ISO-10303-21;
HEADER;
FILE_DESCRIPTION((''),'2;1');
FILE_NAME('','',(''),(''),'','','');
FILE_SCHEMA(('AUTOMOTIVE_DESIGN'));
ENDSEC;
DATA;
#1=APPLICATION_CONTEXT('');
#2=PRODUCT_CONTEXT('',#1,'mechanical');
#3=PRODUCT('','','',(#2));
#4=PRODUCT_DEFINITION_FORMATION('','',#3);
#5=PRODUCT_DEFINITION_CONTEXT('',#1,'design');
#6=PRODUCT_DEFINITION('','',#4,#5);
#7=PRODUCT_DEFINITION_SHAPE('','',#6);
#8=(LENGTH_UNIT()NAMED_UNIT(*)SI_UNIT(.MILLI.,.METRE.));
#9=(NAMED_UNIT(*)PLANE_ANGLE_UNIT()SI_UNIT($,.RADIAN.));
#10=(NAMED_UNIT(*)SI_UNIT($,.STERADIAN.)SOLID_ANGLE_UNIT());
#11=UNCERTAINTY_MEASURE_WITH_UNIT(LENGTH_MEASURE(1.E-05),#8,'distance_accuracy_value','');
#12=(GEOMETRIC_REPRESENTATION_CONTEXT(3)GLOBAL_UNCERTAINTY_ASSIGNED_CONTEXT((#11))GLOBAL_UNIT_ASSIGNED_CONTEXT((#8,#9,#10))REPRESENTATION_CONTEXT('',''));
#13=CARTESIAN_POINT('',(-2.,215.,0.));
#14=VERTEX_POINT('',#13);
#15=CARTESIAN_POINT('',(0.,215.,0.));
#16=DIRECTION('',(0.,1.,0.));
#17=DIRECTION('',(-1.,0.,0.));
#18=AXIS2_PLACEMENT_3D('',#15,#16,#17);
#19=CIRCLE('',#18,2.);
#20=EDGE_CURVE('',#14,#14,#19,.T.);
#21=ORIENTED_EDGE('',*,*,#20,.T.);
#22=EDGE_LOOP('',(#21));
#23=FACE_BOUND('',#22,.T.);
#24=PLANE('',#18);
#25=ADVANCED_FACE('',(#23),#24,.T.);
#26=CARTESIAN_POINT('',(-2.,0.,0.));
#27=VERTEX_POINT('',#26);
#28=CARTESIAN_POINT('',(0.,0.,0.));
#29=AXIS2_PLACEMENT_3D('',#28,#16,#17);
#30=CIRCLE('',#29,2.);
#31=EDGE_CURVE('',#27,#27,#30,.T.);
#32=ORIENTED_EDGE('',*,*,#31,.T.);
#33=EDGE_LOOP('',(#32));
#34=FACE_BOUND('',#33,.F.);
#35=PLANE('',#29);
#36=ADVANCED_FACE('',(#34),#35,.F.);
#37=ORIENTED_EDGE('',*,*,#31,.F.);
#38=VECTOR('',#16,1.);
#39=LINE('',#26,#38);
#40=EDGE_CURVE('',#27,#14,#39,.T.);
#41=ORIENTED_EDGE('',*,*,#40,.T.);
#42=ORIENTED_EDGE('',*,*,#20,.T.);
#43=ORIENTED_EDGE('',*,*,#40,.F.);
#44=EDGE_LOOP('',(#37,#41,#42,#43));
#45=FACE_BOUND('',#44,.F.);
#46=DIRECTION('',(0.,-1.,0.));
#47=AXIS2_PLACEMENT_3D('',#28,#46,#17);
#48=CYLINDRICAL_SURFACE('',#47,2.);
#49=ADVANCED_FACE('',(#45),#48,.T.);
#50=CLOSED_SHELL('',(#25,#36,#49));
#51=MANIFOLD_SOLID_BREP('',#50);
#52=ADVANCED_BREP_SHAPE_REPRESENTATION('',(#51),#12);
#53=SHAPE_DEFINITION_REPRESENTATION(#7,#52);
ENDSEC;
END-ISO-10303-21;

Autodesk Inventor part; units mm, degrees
ref_plane "YZ Plane" through (0, 0, 0) normal (1, 0, 0) x (0, 1, 0)
ref_plane "XZ Plane" through (0, 0, 0) normal (0, 1, 0) x (-1, 0, 0)
ref_plane "XY Plane" through (0, 0, 0) normal (0, 0, 1) x (1, 0, 0)
sketch "Sketch1" plane through (0, 0, 0) normal (0, 1, 0) x (-1, 0, 0)
  circle A0 centre (0, 0) radius 2
  dimension "d0" = 4
extrude "Extrusion1" add sketch "Sketch1" along normal blind 215
thread "Thread1" size "M4x0.7" class "6g" standard "ISO Metric profile" full length
properties part number "BaarThread"
